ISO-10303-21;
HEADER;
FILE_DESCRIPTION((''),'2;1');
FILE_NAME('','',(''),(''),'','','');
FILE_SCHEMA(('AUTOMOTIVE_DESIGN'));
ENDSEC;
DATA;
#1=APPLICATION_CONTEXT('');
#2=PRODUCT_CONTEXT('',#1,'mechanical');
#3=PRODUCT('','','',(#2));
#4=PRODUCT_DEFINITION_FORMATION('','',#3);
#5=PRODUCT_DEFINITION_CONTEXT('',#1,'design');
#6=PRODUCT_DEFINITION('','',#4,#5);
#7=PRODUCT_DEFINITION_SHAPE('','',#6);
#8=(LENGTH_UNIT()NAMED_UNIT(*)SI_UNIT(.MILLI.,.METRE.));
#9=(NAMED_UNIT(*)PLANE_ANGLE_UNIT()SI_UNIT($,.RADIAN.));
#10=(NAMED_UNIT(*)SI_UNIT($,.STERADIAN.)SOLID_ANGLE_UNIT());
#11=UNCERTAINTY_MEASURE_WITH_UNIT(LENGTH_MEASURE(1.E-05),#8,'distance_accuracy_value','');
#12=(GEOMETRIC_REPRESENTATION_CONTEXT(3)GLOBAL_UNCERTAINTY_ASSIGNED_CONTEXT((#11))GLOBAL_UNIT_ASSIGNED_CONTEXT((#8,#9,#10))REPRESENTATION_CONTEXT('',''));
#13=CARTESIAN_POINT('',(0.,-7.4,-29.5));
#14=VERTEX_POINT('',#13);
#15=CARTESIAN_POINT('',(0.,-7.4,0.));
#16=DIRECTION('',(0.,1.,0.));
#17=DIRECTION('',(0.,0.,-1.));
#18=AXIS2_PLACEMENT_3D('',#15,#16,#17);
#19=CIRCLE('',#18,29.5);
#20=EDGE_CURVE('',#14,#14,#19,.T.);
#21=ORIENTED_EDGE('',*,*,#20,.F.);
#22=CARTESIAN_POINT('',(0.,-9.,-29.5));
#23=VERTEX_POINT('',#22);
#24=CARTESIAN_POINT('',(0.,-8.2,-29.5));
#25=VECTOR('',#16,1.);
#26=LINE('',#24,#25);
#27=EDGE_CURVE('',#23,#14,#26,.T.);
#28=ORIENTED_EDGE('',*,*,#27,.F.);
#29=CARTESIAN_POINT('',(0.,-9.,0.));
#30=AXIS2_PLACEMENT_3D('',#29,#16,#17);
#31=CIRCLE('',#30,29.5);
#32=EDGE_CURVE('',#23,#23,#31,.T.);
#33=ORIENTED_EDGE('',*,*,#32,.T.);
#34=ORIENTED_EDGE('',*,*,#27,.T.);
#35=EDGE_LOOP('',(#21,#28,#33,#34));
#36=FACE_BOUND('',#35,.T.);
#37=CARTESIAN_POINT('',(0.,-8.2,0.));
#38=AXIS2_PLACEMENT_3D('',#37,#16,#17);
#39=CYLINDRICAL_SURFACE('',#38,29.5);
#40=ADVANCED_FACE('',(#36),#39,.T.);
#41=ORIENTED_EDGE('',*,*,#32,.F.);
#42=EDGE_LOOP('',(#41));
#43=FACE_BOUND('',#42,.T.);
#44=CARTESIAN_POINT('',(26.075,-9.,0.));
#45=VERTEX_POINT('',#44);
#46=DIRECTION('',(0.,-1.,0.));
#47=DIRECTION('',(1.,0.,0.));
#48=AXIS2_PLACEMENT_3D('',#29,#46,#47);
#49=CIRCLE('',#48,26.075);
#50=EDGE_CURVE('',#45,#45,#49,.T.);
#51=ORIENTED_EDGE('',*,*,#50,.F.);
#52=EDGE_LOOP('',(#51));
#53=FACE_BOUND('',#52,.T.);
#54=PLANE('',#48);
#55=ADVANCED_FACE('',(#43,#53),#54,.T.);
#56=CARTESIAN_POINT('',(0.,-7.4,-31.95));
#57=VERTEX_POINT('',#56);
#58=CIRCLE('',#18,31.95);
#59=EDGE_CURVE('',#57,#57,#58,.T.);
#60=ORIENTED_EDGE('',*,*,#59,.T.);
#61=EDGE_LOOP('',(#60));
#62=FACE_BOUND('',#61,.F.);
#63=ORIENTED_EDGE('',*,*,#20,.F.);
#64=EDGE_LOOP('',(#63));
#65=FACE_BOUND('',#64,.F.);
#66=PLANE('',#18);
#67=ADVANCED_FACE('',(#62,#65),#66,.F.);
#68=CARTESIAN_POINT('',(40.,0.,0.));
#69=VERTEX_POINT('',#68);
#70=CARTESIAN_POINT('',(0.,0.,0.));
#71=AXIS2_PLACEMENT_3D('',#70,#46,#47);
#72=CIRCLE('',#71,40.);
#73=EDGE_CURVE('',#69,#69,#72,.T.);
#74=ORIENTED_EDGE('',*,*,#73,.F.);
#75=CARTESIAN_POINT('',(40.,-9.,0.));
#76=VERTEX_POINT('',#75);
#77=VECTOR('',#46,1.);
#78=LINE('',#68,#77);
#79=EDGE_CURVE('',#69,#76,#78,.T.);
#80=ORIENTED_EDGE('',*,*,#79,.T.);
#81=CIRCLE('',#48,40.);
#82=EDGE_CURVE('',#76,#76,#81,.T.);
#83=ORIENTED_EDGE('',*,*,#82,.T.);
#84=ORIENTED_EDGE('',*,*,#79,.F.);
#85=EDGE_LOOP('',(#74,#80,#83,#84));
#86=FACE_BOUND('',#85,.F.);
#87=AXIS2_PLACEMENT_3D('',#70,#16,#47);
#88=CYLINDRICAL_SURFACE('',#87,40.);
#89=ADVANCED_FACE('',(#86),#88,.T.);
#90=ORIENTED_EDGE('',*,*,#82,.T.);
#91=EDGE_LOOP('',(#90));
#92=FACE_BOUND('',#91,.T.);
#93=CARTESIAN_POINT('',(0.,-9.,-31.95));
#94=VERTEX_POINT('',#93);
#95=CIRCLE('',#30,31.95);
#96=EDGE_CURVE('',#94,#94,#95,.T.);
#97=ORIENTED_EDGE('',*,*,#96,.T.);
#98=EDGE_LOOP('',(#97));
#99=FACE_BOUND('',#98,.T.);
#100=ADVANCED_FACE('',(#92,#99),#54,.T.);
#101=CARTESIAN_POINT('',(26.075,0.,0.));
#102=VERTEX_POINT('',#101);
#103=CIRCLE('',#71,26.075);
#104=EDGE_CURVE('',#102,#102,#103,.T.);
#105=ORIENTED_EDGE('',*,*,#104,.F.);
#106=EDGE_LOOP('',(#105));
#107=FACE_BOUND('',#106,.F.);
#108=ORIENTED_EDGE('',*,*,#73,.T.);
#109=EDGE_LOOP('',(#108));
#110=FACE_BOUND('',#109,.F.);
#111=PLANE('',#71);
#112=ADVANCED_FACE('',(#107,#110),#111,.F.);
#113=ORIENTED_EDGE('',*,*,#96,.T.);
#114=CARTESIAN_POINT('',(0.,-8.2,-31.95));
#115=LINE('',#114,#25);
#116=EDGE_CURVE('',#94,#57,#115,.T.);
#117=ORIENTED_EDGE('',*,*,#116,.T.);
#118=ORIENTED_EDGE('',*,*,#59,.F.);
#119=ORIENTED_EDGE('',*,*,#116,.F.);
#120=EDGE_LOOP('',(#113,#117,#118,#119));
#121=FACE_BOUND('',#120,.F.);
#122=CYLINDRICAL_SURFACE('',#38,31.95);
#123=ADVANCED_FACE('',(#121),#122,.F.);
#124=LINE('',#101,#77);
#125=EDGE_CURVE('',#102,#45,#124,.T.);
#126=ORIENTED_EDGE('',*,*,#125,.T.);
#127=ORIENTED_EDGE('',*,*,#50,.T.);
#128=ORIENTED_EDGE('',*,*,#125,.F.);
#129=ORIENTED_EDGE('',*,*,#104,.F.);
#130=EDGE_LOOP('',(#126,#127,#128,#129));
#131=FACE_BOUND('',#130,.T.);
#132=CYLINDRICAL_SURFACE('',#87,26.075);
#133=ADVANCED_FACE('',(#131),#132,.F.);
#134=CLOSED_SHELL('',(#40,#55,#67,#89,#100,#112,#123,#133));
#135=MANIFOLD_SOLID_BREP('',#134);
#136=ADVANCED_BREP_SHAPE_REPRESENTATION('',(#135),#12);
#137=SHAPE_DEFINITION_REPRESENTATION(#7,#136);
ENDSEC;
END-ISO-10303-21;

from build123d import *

# Parameters (mm, degrees)
F0_R     = 40
F0_R_2   = 26.075
F1_DEPTH = 9
F2_W     = 1.6
F2_H     = 2.45


with BuildPart() as f1:
    # F0 (on Front) → F1 (new body)
    with BuildSketch(Plane.XZ):
        Circle(F0_R)
        Circle(F0_R_2, mode=Mode.SUBTRACT)
    extrude(amount=F1_DEPTH)

    # F2 (on Right) → F3 (revolve, cut)
    with BuildSketch(Plane.YZ):
        with Locations((-8.2, -30.725)):
            Rectangle(F2_W, F2_H)
    revolve(axis=Axis((0, 0, 0), (0, 1, 0)), mode=Mode.SUBTRACT)


solid = f1.part
